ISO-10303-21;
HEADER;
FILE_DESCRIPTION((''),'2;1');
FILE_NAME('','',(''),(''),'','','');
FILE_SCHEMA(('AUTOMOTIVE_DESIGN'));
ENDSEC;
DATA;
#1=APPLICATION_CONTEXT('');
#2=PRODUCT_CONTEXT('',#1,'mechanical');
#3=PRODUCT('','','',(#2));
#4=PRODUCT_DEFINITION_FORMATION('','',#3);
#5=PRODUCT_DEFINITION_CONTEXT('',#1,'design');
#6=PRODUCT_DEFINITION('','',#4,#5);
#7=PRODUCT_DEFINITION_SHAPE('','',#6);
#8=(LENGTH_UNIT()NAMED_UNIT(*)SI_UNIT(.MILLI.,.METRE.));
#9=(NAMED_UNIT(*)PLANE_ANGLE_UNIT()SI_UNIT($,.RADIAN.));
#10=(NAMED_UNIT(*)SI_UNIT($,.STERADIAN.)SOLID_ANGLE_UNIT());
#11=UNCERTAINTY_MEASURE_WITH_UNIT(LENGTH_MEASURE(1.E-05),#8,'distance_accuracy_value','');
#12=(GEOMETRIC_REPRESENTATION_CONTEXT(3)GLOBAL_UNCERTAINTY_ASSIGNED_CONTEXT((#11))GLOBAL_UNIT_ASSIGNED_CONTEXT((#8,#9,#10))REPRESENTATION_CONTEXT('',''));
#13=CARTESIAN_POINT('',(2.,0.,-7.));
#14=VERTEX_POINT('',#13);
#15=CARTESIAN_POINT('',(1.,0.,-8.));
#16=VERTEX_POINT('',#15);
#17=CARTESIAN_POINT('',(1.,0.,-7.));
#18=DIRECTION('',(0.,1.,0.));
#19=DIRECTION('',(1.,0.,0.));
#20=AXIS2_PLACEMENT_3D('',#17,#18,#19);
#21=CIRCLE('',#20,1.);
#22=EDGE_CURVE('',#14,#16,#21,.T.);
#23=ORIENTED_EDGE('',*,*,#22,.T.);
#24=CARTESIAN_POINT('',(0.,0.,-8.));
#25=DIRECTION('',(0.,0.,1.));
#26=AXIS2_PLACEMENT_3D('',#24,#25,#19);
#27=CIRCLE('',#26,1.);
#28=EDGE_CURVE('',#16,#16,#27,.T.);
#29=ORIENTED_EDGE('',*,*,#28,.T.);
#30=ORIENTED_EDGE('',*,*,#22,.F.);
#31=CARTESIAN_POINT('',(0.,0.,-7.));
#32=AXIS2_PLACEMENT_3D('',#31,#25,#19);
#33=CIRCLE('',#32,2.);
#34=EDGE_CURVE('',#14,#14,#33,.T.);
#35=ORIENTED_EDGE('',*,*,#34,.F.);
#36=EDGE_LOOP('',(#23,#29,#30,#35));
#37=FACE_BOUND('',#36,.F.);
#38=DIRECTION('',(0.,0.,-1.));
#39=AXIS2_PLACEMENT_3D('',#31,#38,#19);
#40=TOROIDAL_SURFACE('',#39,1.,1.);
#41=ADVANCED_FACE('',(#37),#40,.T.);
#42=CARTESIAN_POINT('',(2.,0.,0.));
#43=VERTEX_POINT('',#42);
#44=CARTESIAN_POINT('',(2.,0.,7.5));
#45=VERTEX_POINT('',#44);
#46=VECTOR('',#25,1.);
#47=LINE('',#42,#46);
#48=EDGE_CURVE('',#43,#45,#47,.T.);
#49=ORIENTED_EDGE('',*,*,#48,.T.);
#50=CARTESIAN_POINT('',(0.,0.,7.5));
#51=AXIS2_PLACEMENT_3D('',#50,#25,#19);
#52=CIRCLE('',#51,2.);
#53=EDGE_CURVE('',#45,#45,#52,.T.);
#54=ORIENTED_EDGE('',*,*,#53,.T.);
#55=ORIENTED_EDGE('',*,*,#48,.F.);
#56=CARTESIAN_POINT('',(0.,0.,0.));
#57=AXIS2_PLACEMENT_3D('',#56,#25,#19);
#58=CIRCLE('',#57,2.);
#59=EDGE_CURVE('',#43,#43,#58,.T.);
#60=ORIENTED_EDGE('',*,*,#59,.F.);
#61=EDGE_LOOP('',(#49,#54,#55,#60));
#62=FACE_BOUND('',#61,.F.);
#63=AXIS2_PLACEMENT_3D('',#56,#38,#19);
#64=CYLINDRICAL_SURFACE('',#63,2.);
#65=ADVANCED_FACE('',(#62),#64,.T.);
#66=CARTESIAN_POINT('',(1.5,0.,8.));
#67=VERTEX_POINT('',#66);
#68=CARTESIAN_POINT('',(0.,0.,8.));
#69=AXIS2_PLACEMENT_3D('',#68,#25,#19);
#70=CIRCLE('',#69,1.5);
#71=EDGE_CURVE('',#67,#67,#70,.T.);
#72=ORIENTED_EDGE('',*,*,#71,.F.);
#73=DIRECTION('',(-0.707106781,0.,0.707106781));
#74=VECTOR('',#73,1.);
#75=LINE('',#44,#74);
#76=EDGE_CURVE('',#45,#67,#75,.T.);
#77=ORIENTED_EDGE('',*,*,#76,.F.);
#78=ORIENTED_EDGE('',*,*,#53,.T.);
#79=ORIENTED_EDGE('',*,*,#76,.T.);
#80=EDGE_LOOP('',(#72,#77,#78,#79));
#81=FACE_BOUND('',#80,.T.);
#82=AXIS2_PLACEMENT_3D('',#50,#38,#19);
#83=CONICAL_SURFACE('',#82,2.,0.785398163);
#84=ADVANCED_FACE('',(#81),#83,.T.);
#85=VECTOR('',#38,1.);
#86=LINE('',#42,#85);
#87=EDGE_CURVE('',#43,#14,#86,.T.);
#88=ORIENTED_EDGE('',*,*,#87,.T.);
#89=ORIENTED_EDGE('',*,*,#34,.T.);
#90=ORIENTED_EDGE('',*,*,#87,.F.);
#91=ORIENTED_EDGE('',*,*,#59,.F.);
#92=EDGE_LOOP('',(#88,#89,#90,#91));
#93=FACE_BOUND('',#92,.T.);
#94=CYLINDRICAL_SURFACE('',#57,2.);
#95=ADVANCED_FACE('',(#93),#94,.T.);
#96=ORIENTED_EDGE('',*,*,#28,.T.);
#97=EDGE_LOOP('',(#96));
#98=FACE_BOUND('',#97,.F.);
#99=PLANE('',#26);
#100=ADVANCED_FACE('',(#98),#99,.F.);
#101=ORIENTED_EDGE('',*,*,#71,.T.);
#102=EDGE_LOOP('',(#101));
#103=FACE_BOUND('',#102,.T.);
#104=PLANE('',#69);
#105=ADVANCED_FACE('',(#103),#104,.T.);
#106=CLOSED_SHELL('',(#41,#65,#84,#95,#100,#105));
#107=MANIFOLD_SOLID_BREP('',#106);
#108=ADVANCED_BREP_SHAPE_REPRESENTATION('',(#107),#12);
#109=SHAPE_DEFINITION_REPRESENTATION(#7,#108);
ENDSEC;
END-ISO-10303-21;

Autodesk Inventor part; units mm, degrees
ref_plane "YZ Plane" through (0, 0, 0) normal (1, 0, 0) x (0, 1, 0)
ref_plane "XZ Plane" through (0, 0, 0) normal (0, 1, 0) x (-1, 0, 0)
ref_plane "XY Plane" through (0, 0, 0) normal (0, 0, 1) x (1, 0, 0)
sketch "Sketch1" plane through (0, 0, 0) normal (0, 0, 1) x (1, 0, 0)
  circle A0 centre (0, 0) radius 2
  dimension "d0" = 4
extrude "Extrusion1" add sketch "Sketch1" along normal mid plane 16
fillet "Fillet1" radius 1 1 edges at (-2, 0, -8)
chamfer "Chamfer1" distance 0.5 angle 45 1 edges at (-2, 0, 8)
properties part number "DOWEL,M4X16" material "Steel"
